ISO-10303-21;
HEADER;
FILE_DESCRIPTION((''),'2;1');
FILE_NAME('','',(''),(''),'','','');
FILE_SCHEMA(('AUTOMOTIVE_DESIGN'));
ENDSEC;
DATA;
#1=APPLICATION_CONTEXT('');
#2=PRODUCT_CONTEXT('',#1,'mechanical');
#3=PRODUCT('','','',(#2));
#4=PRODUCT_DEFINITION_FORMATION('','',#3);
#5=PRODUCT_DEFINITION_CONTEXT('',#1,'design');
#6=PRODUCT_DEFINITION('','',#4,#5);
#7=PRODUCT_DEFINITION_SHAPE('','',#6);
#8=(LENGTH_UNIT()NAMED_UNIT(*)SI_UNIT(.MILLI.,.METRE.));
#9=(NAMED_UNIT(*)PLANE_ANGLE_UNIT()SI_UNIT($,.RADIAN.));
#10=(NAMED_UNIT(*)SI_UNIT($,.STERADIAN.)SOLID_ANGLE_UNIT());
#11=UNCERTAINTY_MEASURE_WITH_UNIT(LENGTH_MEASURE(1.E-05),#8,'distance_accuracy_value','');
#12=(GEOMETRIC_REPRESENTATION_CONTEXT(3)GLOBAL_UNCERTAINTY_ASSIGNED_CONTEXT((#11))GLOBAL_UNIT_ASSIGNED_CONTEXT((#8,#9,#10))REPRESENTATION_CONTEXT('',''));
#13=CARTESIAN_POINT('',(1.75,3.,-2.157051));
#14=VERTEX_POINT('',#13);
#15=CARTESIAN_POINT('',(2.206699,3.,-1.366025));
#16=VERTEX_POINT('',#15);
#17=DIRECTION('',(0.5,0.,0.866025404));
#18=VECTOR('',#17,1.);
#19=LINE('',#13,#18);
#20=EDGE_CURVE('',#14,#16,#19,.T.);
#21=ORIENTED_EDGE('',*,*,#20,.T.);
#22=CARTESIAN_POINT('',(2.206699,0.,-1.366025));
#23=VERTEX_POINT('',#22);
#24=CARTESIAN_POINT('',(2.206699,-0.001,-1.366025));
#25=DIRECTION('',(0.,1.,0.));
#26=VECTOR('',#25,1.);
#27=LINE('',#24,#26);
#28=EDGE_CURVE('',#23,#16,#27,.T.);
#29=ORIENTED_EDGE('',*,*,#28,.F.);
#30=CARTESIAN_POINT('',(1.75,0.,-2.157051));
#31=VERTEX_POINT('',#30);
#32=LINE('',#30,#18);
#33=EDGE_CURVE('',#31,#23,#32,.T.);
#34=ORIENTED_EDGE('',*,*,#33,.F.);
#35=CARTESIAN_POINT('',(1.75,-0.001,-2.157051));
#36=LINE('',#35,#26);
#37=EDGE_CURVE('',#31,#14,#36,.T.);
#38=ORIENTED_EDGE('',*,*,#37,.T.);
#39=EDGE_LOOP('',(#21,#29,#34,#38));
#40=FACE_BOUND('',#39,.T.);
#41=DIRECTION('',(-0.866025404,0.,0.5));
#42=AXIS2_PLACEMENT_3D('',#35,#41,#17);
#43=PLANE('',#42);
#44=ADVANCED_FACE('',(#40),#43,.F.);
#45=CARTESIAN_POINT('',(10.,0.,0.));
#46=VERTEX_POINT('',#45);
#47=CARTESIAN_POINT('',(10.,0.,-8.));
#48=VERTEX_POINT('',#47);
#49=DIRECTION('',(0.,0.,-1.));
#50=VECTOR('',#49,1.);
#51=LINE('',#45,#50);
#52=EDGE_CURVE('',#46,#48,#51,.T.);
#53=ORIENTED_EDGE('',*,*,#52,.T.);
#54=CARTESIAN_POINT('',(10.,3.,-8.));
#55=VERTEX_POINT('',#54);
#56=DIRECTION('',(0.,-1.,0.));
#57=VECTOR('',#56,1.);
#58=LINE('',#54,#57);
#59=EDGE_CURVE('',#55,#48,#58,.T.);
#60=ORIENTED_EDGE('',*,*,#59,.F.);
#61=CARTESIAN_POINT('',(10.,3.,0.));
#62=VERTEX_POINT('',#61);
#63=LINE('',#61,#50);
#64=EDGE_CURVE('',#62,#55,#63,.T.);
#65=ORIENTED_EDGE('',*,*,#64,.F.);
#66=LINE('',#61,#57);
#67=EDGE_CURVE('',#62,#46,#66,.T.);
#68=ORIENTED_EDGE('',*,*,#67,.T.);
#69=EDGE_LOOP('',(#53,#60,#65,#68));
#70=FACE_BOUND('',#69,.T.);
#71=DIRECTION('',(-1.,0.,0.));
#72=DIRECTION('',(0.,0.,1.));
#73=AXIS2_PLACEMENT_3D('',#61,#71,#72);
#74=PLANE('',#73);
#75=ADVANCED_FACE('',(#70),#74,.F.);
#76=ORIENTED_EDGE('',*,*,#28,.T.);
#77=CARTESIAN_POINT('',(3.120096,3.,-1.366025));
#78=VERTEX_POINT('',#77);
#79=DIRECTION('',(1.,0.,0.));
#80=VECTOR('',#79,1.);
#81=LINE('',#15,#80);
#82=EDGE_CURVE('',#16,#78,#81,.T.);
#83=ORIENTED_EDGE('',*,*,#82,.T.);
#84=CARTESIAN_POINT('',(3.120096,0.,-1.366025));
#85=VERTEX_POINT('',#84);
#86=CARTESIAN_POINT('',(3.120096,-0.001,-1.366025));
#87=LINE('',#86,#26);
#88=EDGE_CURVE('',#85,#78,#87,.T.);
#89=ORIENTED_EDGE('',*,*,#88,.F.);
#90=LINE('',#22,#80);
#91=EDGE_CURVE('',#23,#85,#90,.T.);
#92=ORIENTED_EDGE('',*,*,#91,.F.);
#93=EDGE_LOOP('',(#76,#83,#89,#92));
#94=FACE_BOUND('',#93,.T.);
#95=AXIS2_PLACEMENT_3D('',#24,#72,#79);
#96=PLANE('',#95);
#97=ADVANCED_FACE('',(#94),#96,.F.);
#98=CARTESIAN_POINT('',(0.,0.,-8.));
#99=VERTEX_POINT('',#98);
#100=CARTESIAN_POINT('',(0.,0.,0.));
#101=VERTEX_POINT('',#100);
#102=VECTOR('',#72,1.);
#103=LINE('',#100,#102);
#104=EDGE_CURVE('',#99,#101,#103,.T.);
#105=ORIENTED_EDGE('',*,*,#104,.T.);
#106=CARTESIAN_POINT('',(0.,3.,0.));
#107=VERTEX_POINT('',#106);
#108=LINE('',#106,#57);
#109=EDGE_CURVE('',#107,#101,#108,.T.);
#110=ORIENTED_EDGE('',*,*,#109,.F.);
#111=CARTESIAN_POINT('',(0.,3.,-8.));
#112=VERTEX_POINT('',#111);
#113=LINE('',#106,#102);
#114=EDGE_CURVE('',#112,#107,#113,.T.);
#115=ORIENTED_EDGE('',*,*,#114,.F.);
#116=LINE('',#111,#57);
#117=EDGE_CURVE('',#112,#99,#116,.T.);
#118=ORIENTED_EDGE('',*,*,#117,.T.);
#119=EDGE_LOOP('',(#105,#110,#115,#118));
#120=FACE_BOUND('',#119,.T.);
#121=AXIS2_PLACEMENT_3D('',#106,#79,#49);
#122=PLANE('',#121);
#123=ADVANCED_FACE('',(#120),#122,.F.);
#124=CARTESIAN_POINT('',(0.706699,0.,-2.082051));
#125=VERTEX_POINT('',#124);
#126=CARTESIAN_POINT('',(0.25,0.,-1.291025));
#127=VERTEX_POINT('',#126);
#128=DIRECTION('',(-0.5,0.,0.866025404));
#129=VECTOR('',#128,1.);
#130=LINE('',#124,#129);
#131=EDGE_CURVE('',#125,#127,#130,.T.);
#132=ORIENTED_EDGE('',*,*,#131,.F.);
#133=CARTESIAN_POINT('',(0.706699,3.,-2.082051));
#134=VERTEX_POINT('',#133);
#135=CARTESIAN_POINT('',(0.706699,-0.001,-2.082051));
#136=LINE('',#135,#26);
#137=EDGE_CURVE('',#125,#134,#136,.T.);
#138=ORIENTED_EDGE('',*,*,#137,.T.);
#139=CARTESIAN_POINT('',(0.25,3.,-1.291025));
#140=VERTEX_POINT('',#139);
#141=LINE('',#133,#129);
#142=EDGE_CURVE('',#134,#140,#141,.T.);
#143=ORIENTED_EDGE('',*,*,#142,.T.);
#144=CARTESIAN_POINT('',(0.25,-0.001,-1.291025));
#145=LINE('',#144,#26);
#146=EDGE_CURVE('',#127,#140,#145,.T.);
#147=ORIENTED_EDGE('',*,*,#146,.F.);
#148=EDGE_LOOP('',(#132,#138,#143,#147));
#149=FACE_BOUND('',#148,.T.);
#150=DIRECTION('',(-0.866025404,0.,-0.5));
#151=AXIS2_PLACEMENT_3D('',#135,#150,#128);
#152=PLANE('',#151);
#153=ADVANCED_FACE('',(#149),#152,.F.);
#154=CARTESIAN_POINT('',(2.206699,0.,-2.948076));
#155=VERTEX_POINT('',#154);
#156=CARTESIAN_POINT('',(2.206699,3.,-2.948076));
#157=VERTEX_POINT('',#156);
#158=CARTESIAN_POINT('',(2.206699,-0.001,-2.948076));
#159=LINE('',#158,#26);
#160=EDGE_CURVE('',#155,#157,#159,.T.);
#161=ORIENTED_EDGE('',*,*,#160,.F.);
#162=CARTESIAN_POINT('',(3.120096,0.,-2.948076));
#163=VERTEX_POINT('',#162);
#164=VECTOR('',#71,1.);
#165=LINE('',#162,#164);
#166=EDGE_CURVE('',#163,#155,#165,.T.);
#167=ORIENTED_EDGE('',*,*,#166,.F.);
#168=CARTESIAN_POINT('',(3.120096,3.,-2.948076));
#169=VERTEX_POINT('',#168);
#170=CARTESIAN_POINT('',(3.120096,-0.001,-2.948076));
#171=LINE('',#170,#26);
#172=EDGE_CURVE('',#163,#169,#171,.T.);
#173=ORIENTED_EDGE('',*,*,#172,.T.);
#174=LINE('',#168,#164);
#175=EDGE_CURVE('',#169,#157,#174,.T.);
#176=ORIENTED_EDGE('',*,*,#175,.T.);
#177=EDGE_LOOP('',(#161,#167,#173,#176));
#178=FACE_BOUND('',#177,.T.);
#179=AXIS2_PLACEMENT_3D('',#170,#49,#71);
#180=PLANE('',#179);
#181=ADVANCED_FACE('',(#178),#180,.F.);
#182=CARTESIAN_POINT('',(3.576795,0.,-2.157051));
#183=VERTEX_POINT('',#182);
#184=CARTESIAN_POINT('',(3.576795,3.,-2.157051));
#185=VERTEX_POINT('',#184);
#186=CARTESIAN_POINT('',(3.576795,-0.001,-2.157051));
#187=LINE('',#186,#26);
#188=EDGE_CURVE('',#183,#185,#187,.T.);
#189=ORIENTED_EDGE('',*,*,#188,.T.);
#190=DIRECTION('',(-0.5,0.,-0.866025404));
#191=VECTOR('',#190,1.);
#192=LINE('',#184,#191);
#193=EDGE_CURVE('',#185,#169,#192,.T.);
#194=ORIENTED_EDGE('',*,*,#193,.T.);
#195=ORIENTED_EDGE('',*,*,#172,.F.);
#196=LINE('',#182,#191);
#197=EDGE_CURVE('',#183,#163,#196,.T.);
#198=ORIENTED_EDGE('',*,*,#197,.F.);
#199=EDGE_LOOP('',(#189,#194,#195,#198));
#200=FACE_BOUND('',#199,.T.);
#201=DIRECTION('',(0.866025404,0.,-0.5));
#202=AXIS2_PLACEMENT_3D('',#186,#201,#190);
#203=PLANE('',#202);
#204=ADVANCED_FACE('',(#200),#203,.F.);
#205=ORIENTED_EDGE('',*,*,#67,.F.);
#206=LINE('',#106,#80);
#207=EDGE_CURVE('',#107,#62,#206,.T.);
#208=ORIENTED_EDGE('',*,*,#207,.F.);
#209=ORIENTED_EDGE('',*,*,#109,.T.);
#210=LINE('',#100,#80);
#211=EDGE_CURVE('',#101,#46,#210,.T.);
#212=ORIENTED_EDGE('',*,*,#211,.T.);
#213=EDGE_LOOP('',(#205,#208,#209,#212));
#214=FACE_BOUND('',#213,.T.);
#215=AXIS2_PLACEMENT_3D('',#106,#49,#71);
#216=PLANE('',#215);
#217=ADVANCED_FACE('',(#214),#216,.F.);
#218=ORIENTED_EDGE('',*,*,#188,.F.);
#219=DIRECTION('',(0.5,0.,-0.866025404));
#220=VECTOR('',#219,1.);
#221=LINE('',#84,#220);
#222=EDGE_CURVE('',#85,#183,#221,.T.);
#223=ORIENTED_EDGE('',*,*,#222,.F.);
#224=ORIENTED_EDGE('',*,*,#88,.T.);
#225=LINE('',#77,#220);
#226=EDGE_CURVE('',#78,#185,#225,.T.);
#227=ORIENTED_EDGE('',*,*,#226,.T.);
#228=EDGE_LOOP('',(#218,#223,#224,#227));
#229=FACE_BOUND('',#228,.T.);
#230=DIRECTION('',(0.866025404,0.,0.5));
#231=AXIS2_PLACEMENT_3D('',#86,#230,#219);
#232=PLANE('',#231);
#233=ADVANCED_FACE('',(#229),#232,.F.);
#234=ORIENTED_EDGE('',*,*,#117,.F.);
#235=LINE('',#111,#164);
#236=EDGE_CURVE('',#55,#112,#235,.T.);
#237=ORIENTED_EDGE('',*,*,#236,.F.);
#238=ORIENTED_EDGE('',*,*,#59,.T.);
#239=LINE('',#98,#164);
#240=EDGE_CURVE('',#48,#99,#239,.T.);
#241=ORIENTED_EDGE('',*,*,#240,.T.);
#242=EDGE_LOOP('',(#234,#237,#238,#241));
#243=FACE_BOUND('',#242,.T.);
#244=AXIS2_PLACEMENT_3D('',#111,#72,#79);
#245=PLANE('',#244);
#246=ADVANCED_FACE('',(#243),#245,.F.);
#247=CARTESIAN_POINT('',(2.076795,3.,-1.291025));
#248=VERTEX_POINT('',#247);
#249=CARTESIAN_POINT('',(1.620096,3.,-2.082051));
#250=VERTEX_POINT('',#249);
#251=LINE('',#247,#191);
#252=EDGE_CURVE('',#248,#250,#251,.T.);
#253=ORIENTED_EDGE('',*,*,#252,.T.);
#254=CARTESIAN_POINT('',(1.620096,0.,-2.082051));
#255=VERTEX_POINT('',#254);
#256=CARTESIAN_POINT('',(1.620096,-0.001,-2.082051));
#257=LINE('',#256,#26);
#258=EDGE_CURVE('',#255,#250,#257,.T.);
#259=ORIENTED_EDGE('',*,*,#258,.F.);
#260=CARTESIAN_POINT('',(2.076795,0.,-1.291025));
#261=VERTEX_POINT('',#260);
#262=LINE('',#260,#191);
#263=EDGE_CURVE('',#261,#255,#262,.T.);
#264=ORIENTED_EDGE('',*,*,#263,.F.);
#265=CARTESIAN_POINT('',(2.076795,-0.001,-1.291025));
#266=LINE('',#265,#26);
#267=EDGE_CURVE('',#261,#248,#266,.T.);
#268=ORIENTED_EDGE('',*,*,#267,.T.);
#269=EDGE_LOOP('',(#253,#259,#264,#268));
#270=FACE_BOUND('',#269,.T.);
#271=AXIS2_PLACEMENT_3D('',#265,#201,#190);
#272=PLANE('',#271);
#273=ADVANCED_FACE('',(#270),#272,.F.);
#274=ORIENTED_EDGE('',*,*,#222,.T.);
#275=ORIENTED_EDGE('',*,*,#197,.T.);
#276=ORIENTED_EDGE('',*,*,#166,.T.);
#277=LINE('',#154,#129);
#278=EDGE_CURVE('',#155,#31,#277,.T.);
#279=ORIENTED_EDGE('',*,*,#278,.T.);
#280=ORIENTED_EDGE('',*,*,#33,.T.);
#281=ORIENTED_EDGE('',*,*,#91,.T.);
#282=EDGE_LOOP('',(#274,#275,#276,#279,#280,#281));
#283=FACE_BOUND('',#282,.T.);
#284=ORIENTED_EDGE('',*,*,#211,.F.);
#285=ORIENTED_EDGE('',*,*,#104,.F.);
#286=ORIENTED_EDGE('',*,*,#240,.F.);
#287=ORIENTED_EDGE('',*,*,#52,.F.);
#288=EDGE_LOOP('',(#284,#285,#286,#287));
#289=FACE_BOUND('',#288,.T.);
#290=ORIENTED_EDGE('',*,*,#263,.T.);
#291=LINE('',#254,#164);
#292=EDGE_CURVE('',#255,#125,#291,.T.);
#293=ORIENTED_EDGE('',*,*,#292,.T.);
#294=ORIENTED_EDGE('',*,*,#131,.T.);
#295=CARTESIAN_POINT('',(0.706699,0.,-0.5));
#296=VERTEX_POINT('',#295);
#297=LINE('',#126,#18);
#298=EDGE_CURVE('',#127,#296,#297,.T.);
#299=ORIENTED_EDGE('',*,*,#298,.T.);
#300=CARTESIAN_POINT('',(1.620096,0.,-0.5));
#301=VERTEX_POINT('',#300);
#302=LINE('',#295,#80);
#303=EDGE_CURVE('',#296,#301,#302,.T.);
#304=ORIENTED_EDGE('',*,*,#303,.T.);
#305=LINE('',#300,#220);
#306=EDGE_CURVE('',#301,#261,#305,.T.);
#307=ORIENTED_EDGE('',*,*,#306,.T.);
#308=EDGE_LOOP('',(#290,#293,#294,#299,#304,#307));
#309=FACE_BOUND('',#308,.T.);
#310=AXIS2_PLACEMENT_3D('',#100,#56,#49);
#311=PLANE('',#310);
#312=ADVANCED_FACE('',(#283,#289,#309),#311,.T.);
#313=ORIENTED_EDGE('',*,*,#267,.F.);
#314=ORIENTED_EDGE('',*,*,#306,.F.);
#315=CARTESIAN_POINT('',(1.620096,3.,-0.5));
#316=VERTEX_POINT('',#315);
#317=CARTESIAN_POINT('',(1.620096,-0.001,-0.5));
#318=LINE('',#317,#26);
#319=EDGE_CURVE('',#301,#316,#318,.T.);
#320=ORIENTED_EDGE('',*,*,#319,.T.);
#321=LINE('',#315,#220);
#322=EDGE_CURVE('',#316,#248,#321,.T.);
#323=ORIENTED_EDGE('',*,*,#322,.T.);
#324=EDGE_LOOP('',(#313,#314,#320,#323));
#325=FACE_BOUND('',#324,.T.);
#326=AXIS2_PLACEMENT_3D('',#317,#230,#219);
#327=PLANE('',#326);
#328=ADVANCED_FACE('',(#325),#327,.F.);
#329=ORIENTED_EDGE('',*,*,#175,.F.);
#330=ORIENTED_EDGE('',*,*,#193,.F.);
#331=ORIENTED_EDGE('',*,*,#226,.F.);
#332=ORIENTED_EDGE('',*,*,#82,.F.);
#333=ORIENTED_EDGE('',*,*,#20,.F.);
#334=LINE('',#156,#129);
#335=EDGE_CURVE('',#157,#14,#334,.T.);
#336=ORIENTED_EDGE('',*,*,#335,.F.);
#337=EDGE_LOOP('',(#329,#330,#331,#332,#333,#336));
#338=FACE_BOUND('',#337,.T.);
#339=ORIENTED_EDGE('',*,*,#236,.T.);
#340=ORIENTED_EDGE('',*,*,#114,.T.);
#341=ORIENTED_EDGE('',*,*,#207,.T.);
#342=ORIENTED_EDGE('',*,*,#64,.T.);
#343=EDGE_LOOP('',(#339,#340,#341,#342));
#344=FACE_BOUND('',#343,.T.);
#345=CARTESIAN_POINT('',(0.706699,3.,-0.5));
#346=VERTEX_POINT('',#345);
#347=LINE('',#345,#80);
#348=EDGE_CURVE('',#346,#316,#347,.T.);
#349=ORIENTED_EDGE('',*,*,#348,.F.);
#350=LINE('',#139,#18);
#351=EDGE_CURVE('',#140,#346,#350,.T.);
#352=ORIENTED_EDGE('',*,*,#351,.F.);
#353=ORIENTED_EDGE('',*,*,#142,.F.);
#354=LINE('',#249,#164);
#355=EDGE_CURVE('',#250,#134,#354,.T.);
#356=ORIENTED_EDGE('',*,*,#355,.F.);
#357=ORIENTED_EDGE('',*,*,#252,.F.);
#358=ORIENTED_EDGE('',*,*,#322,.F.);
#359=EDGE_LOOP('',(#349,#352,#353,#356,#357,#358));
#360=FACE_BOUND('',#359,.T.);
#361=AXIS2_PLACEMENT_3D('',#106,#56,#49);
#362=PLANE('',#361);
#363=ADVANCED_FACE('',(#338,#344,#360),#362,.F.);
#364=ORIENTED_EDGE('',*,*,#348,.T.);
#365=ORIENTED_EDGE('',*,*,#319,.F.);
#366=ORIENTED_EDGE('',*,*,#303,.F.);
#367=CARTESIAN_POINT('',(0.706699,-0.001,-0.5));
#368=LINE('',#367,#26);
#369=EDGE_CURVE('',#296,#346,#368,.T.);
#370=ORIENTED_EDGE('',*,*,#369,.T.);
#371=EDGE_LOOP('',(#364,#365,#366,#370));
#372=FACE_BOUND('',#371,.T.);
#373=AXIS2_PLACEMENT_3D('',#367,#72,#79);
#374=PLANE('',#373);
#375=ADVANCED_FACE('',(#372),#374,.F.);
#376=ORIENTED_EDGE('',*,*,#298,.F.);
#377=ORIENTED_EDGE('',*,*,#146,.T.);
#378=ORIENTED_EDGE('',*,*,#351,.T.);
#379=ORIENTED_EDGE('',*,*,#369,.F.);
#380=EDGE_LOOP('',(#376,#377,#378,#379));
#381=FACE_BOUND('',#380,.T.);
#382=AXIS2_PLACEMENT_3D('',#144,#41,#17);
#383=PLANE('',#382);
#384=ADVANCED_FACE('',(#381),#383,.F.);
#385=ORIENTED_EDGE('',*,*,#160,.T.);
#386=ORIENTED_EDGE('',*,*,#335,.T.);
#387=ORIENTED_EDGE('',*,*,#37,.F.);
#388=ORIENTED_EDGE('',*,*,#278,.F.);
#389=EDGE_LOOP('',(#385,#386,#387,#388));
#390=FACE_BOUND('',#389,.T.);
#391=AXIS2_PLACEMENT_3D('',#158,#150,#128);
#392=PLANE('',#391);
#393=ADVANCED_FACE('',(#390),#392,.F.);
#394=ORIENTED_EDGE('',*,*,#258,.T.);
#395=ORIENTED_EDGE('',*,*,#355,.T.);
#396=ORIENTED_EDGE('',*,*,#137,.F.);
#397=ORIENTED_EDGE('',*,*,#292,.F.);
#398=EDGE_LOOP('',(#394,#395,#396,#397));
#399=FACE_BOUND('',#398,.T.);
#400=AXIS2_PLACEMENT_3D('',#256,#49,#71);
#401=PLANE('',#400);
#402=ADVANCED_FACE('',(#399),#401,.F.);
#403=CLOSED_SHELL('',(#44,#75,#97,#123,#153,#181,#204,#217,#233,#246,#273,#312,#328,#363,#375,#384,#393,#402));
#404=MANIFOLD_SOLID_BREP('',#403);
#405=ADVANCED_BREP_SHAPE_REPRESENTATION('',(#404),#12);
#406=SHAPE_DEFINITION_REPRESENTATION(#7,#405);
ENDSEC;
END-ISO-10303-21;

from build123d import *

# Parameters (mm, degrees)
SKETCH1_W           = 10
SKETCH1_H           = 8
BOSS_EXTRUDE1_DEPTH = 3
CUT_EXTRUDE1_REACH  = 15.153


with BuildPart() as part:
    # Sketch1 → Boss-Extrude1 (new body)
    with BuildSketch(Plane(origin=(0, 0, 0), x_dir=(1, 0, 0), z_dir=(0, 1, 0))):
        with Locations((5, 4)):
            Rectangle(SKETCH1_W, SKETCH1_H)
    extrude(amount=BOSS_EXTRUDE1_DEPTH)

    # Sketch2 → Cut-Extrude1 (cut, up to next)
    with BuildSketch(Plane(origin=(0, 3, 0), x_dir=(1, 0, 0), z_dir=(0, 1, 0)), mode=Mode.PRIVATE) as cut_extrude1_sk1:
        Polygon((2.076794919, 1.291025404), (1.620096189, 2.082050808), (0.70669873, 2.082050808), (0.25, 1.291025404), (0.70669873, 0.5), (1.620096189, 0.5), align=None)
    cut_extrude1_tool1 = extrude(cut_extrude1_sk1.sketch, amount=-CUT_EXTRUDE1_REACH, mode=Mode.PRIVATE) & part.part
    # Sketch2 → Cut-Extrude1 (cut, up to next)
    with BuildSketch(Plane(origin=(0, 3, 0), x_dir=(1, 0, 0), z_dir=(0, 1, 0)), mode=Mode.PRIVATE) as cut_extrude1_sk2:
        Polygon((3.576794919, 2.157050808), (3.120096189, 2.948076211), (2.20669873, 2.948076211), (1.75, 2.157050808), (2.20669873, 1.366025404), (3.120096189, 1.366025404), align=None)
    cut_extrude1_tool2 = extrude(cut_extrude1_sk2.sketch, amount=-CUT_EXTRUDE1_REACH, mode=Mode.PRIVATE) & part.part
    add(cut_extrude1_tool1.solids().sort_by_distance((1.163397, 3, -1.291025))[0], mode=Mode.SUBTRACT)
    add(cut_extrude1_tool2.solids().sort_by_distance((2.663397, 3, -2.157051))[0], mode=Mode.SUBTRACT)


solid = part.part
